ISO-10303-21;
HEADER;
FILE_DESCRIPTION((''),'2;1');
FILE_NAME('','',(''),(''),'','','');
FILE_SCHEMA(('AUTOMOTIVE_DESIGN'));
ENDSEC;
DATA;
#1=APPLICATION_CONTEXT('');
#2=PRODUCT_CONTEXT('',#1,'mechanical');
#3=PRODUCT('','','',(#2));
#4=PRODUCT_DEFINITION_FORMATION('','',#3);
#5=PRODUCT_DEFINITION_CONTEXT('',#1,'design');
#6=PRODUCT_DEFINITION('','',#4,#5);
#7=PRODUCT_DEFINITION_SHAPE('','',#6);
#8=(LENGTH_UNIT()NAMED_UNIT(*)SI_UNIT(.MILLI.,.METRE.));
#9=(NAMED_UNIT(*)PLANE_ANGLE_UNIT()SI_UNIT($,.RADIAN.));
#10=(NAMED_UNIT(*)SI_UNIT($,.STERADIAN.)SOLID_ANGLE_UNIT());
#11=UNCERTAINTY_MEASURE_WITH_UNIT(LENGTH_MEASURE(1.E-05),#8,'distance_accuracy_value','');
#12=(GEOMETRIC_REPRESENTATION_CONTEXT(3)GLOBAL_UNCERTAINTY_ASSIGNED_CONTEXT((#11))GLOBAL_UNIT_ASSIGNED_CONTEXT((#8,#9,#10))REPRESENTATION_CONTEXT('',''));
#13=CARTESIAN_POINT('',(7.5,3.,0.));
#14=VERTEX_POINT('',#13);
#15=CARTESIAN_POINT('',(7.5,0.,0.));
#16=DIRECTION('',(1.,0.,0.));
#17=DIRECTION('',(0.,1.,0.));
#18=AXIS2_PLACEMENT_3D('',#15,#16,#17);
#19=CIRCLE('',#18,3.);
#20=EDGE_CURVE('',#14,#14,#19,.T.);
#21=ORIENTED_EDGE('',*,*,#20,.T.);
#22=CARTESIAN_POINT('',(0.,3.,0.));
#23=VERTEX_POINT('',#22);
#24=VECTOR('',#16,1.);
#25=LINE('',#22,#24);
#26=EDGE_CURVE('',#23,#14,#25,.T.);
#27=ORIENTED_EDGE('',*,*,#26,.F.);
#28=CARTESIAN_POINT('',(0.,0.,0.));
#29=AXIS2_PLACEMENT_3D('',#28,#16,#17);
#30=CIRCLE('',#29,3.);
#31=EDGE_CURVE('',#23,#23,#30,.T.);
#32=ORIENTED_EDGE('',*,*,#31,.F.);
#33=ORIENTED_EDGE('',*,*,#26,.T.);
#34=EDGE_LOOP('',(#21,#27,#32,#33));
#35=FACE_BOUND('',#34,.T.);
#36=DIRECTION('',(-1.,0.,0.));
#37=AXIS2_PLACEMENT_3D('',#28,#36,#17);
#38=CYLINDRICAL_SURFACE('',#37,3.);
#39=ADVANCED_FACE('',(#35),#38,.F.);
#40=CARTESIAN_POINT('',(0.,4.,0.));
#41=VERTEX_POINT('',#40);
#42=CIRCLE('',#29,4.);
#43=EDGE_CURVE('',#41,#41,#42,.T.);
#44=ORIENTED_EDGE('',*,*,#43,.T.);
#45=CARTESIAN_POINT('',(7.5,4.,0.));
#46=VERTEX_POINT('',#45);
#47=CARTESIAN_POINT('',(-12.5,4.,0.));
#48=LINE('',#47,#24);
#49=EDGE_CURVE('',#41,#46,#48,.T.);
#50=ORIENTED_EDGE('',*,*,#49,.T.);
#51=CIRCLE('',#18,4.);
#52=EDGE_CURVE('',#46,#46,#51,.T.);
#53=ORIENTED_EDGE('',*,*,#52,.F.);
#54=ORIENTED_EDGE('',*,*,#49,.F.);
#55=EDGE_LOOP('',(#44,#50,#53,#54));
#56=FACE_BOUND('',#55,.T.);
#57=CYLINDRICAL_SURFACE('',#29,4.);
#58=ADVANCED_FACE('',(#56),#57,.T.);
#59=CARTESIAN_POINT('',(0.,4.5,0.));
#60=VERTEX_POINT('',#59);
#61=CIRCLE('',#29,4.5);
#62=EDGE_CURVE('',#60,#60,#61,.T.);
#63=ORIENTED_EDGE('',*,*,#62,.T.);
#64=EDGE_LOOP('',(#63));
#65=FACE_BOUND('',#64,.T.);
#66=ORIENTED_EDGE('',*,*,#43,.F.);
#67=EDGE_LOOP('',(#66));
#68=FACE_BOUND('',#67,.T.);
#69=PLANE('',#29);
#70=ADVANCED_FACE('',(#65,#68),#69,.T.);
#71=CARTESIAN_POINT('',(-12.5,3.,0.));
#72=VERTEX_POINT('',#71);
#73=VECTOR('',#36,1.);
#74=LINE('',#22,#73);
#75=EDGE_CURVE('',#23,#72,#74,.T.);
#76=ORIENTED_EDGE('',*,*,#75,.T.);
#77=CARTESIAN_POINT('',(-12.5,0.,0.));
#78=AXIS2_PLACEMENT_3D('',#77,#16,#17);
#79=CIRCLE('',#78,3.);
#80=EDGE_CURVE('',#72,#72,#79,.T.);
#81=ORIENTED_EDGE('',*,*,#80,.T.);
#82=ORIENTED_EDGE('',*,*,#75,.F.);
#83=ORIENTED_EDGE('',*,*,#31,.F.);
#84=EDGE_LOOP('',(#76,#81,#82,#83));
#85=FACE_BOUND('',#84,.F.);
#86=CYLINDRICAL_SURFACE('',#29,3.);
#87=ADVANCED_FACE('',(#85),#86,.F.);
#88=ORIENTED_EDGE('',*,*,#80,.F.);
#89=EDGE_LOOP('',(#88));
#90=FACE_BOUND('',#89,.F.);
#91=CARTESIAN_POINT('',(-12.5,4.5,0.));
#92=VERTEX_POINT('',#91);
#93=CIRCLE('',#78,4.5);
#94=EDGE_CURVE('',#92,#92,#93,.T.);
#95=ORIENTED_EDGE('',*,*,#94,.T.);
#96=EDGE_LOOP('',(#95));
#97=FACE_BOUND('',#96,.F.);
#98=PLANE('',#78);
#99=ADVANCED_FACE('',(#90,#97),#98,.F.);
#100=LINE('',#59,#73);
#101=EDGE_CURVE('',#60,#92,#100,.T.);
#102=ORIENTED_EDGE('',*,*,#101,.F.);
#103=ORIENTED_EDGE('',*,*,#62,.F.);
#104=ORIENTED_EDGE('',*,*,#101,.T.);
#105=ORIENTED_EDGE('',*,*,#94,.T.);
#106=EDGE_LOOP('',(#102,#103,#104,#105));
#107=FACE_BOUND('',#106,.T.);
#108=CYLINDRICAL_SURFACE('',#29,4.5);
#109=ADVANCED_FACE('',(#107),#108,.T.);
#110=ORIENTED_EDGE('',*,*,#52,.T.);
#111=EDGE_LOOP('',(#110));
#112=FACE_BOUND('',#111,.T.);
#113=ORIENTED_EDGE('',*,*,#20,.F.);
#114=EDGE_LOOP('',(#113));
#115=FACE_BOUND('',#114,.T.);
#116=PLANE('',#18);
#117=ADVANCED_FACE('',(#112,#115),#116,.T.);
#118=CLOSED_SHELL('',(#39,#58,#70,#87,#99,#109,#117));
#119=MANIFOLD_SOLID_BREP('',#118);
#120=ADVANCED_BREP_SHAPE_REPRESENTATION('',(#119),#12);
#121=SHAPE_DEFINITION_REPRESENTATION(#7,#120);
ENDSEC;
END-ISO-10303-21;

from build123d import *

# Parameters (mm, degrees)
F0_R          = 4
F0_R_2        = 3
F1_DEPTH      = 7.5
F1_DEPTH_BACK = 12.5
F0_R_3        = 4.5
F2_DEPTH      = 12.5


with BuildPart() as f1:
    # F0 (on Right) → F1 (new body, two sides)
    with BuildSketch(Plane.YZ) as f1_sk:
        Circle(F0_R)
        Circle(F0_R_2, mode=Mode.SUBTRACT)
    extrude(amount=F1_DEPTH)
    extrude(f1_sk.sketch, amount=-F1_DEPTH_BACK)

    # F0 (on Right) → F2 (join)
    with BuildSketch(Plane.YZ):
        Circle(F0_R_3)
        Circle(F0_R, mode=Mode.SUBTRACT)
    extrude(amount=-F2_DEPTH)


solid = f1.part
